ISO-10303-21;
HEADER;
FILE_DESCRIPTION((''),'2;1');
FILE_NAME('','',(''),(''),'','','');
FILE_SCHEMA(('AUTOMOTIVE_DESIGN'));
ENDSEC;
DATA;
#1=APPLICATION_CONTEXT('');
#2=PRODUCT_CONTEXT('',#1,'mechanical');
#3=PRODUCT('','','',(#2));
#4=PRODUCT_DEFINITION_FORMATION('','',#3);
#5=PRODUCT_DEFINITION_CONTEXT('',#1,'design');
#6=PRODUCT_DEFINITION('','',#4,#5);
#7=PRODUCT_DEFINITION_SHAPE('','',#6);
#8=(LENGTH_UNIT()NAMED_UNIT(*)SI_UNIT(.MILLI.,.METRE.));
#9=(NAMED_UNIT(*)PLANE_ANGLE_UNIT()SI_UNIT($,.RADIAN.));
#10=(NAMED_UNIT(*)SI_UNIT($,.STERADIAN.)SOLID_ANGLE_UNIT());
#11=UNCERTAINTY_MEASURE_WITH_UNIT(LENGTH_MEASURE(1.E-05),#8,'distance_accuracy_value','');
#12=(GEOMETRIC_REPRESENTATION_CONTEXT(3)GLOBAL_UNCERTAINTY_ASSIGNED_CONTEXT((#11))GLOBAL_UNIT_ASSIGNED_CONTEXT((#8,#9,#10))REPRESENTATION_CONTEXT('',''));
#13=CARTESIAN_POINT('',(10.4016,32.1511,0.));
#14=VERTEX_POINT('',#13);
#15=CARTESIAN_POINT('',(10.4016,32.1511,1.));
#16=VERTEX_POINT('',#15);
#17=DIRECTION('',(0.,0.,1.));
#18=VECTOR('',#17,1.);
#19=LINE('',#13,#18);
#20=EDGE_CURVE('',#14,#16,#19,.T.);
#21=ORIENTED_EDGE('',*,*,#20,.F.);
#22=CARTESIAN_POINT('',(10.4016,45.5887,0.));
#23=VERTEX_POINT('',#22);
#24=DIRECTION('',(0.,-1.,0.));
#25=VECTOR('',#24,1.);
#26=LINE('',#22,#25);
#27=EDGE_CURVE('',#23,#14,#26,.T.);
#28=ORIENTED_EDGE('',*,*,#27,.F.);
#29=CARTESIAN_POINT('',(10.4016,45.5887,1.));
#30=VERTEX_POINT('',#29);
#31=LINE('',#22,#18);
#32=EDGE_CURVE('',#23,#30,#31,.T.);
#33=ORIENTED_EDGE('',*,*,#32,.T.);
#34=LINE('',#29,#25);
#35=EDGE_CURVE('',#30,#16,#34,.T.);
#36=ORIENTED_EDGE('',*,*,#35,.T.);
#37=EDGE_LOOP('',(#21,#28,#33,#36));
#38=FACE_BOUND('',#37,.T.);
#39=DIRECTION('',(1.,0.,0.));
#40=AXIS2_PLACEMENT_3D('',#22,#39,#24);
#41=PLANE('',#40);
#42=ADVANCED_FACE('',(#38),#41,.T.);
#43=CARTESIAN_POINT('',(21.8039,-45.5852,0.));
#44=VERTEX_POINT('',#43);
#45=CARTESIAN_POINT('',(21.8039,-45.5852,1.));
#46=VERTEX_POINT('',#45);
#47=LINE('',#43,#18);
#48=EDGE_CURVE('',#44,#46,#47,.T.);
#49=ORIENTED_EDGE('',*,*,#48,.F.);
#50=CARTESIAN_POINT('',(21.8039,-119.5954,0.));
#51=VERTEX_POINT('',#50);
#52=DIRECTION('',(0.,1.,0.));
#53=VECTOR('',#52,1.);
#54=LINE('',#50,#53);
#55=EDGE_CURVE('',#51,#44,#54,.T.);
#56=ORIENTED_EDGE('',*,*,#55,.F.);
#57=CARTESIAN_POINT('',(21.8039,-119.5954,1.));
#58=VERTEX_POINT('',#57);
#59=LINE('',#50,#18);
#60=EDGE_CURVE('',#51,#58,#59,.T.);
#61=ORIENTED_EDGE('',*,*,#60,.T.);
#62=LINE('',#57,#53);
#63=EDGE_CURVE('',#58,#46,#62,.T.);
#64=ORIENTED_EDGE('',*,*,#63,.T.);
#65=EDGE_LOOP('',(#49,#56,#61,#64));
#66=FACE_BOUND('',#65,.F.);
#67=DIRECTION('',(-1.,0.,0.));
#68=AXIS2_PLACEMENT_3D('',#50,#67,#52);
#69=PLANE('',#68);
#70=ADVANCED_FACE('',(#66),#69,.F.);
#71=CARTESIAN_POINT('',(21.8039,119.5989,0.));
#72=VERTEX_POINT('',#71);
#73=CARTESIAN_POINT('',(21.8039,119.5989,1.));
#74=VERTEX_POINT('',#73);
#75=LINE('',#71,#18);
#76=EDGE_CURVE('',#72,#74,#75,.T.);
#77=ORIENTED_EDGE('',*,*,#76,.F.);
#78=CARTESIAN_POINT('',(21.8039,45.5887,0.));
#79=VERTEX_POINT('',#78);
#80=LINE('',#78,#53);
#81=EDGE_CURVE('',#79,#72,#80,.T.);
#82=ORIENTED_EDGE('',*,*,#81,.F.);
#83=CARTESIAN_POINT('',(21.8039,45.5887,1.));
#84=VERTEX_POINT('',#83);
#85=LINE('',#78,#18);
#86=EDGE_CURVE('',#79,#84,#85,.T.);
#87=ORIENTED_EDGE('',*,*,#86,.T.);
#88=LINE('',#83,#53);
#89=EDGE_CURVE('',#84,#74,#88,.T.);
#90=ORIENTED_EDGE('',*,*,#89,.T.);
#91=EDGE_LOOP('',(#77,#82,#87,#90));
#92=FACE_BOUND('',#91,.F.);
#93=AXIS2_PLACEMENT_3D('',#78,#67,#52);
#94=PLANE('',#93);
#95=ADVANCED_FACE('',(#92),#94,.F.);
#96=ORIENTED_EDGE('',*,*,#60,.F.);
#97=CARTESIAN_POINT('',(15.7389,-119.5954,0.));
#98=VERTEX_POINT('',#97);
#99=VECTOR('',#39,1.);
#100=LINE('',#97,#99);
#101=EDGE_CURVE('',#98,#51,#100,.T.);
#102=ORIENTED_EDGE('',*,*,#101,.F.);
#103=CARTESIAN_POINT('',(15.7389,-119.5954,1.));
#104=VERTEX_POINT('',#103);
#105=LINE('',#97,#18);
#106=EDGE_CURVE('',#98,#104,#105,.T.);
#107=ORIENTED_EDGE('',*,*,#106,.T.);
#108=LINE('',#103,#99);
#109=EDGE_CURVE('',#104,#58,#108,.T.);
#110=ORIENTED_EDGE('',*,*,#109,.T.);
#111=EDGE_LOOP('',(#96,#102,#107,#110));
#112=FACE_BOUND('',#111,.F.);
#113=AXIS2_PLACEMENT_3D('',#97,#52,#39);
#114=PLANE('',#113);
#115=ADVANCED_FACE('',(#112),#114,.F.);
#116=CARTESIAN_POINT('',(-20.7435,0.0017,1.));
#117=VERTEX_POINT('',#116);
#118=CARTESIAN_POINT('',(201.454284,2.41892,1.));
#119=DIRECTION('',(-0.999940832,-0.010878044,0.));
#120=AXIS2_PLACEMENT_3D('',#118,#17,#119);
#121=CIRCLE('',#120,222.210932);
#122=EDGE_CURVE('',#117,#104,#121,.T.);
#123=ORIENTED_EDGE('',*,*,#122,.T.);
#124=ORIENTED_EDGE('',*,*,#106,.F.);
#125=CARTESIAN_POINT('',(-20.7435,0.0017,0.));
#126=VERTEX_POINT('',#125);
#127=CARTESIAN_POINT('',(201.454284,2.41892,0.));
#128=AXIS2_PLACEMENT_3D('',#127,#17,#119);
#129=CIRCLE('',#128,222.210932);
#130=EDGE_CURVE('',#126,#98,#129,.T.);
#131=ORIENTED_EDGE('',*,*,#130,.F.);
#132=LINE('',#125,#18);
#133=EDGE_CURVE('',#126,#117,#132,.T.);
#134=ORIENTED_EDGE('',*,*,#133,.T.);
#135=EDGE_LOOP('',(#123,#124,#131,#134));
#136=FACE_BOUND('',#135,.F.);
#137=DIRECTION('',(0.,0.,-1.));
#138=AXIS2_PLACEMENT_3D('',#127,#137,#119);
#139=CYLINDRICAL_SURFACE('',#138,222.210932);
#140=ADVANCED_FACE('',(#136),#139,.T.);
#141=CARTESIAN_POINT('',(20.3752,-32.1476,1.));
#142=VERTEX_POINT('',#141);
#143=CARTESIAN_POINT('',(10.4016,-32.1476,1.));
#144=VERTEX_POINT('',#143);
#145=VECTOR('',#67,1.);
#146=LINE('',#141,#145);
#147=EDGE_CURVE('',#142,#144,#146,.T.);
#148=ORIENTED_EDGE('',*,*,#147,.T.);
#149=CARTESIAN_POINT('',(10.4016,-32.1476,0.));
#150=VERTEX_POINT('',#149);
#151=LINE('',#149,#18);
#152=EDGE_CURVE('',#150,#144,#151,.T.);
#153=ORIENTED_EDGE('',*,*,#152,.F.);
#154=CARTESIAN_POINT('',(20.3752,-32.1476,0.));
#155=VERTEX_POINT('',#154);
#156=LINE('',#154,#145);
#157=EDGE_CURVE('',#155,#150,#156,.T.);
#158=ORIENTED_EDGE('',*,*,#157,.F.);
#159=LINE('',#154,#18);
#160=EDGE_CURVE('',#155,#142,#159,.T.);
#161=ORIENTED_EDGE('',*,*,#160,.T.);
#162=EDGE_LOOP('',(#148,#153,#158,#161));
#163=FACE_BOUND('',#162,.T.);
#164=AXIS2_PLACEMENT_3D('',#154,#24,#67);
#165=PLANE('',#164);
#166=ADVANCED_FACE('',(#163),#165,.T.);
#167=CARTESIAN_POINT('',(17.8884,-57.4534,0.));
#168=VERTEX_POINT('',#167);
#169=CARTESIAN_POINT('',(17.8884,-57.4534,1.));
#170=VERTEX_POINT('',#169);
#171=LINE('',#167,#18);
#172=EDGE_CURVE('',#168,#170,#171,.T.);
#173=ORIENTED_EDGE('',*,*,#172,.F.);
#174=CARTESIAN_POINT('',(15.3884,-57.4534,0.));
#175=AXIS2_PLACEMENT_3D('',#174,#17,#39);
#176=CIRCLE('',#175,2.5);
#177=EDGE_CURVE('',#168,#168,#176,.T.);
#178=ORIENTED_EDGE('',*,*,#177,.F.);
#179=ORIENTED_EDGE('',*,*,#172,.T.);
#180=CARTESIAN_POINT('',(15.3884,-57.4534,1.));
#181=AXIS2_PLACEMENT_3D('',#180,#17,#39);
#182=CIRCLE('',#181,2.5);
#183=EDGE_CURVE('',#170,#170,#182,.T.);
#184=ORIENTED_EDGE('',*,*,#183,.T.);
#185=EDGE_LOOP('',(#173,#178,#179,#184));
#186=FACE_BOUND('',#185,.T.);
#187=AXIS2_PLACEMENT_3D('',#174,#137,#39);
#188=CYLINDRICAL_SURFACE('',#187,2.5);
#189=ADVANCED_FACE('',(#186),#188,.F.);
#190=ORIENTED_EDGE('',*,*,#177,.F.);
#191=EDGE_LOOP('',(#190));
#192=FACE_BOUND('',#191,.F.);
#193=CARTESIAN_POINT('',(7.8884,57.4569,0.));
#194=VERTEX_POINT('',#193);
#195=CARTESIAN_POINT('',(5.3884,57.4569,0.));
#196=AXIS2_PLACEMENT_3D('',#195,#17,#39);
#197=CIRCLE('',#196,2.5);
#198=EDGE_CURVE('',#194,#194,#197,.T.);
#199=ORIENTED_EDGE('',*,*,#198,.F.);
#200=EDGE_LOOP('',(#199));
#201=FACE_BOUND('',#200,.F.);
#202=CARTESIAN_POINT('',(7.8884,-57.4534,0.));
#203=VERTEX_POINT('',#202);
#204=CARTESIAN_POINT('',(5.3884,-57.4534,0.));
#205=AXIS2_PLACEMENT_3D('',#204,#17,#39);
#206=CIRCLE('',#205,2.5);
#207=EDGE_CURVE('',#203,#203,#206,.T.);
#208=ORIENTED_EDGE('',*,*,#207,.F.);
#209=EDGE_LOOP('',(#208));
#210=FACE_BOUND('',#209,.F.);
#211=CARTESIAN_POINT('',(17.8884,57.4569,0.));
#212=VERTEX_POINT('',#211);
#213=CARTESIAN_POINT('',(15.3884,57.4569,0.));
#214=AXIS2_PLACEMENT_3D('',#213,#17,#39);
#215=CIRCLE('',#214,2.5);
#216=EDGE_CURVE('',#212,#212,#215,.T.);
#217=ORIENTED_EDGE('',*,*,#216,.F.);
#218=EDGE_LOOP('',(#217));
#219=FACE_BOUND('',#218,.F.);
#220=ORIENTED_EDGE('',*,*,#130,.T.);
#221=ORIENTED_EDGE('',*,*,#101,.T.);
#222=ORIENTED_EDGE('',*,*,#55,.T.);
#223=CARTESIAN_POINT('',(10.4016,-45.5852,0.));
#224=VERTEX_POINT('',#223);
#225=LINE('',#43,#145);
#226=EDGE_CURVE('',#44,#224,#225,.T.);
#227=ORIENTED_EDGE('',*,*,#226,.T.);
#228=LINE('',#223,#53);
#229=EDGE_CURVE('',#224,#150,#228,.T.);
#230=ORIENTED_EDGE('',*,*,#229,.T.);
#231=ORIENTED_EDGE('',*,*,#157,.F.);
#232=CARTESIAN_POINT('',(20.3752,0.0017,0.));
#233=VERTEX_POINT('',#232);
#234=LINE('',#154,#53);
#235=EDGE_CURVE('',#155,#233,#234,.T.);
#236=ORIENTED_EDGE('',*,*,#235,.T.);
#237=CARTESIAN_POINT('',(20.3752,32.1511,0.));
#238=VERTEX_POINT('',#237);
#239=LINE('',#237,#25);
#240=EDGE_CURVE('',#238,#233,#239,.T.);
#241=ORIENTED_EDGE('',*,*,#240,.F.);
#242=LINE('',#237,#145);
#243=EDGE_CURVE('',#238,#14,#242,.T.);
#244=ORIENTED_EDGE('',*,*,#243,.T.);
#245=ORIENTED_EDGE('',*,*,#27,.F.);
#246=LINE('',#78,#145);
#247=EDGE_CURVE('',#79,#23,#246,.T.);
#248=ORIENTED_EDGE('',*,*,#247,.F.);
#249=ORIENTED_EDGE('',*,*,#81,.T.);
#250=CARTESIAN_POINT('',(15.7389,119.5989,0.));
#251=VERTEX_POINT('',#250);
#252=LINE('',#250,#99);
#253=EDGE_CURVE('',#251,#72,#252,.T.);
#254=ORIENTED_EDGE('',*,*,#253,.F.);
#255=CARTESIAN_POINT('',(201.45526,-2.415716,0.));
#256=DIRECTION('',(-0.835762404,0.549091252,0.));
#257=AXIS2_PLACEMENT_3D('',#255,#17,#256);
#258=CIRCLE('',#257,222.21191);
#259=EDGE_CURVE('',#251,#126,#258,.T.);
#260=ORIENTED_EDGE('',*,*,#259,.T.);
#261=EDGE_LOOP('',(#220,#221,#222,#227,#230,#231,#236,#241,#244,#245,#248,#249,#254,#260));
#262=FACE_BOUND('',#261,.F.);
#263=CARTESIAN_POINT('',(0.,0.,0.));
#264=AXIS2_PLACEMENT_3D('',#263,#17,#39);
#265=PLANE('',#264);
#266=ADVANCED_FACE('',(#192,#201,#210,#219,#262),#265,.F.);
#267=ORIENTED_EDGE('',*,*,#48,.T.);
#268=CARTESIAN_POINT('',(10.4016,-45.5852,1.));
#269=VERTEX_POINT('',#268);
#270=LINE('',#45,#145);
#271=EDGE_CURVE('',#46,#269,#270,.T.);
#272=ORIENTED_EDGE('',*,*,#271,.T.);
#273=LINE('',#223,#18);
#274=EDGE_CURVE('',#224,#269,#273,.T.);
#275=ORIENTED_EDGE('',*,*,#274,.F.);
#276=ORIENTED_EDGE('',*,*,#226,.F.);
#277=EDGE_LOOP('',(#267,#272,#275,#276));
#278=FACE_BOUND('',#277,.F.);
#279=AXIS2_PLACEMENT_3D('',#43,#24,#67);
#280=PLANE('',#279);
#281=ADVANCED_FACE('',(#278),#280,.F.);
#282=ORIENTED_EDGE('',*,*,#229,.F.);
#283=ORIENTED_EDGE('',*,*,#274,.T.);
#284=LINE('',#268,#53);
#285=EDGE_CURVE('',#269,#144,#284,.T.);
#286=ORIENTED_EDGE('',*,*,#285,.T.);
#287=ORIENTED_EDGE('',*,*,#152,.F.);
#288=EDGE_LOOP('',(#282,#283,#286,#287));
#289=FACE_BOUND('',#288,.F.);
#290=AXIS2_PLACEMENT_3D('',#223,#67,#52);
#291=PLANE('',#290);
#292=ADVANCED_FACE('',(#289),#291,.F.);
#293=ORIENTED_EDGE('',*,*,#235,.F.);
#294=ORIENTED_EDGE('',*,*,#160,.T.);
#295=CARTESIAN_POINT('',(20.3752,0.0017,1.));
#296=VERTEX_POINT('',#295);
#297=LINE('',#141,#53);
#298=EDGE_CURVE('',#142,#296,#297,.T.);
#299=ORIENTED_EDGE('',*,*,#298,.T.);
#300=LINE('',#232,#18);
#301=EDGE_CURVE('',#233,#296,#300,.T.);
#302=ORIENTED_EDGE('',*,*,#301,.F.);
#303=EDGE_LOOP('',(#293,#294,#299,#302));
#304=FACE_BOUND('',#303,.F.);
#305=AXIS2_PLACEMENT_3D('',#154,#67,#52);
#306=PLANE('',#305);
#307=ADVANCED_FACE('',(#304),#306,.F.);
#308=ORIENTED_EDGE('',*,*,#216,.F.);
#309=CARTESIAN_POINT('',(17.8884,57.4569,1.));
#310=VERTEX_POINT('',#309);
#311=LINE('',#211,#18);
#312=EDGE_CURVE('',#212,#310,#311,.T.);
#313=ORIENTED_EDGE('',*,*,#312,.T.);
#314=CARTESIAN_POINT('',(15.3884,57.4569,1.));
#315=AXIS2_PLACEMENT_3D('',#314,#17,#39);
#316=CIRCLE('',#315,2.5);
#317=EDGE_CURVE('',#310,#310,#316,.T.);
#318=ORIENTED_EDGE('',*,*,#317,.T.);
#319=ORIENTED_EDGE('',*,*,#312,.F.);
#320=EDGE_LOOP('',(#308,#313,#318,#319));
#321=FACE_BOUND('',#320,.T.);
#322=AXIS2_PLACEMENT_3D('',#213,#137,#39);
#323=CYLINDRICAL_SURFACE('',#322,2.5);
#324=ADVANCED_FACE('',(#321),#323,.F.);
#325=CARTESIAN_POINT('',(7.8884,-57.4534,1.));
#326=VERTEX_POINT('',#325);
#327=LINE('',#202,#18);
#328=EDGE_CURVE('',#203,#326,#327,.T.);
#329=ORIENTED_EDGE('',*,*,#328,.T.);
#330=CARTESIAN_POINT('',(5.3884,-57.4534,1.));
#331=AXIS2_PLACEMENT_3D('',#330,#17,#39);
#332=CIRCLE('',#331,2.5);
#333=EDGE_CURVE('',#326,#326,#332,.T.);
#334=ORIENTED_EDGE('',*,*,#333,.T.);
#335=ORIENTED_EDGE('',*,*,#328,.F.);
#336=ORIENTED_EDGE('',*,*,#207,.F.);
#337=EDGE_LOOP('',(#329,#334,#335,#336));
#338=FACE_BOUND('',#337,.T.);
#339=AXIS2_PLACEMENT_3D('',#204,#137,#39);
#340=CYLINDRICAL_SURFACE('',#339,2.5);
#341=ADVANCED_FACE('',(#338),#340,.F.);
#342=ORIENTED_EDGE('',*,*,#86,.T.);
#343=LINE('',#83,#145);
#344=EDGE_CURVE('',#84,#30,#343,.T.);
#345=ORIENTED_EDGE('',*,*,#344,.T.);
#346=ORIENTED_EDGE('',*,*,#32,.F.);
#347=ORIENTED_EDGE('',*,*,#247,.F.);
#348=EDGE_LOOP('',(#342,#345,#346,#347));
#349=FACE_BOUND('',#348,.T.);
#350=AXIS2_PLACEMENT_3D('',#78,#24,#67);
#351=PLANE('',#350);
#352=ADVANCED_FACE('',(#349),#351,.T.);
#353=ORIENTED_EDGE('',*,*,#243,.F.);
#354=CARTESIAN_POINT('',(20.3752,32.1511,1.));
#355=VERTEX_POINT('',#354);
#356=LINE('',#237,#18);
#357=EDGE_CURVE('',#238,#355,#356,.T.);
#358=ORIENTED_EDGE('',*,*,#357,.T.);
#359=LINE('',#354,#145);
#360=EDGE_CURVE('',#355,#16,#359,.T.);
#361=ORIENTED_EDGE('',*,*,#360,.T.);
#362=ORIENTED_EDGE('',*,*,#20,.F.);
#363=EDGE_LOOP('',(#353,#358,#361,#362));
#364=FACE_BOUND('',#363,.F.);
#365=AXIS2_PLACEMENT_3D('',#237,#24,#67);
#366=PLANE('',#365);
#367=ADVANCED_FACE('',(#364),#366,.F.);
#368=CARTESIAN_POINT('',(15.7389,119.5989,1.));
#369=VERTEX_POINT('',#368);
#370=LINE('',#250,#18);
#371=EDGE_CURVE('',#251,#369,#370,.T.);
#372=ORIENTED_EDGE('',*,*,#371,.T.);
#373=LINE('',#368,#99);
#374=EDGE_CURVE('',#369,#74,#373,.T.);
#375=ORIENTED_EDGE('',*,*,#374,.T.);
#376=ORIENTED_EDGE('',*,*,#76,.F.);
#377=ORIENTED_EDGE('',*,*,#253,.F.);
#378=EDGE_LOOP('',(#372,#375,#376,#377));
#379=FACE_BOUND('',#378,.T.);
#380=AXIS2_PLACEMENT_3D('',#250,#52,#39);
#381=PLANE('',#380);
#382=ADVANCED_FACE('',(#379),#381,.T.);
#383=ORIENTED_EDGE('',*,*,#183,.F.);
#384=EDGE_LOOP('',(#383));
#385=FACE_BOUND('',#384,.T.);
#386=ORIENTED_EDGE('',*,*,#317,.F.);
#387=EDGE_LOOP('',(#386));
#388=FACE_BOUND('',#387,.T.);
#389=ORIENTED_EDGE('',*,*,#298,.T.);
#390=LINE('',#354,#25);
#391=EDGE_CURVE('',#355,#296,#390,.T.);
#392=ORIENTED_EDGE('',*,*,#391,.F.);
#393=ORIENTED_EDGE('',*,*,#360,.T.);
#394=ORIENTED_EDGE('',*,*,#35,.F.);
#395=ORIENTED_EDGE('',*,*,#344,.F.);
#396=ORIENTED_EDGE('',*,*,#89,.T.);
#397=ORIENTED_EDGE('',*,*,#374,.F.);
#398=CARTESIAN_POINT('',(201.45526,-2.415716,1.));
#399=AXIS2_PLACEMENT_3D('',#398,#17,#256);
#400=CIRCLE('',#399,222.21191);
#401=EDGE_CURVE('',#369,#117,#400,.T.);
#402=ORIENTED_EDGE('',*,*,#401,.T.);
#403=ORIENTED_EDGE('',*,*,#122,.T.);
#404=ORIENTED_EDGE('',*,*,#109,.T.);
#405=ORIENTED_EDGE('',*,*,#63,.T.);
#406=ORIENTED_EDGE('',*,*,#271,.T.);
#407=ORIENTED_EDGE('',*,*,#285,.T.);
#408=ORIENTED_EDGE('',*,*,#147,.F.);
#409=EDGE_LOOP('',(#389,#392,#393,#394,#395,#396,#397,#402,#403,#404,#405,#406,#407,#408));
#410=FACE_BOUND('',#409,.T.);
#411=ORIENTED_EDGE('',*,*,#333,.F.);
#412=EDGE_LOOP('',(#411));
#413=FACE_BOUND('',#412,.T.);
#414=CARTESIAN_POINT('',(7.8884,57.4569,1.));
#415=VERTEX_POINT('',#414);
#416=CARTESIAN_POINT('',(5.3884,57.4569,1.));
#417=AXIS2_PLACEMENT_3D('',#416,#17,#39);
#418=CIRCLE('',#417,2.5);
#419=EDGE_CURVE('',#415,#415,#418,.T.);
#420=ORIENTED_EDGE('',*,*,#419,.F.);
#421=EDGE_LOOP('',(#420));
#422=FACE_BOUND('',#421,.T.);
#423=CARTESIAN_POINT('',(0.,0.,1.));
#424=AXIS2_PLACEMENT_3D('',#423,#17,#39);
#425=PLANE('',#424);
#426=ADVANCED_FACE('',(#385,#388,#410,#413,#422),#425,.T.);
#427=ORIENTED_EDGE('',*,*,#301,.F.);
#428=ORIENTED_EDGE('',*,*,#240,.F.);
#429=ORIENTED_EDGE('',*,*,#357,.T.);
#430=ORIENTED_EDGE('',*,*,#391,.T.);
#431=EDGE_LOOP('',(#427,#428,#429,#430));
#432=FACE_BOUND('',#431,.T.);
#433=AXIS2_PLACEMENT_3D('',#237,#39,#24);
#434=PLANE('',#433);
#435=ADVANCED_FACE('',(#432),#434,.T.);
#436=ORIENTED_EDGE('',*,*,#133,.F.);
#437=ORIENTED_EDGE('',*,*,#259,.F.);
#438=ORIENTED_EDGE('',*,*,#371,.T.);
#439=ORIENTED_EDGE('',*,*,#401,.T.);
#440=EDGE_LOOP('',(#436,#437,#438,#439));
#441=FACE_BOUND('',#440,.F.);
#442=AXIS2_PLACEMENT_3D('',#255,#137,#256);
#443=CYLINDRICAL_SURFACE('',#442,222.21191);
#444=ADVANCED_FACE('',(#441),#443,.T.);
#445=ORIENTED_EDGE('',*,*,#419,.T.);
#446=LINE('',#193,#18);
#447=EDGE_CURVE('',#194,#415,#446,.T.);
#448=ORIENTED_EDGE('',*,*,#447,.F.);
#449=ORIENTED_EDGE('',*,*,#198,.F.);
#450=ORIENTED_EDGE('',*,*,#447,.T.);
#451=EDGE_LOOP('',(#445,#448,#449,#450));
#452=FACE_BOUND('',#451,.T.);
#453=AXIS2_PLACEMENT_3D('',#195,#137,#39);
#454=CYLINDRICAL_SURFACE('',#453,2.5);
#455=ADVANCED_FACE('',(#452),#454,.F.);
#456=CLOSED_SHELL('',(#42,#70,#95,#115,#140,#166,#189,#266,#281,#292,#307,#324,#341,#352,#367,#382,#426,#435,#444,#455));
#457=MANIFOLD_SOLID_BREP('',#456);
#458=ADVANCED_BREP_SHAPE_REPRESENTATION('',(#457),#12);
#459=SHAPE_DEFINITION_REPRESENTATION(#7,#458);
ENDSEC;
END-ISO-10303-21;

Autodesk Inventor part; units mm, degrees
ref_plane "YZ Plane" through (0, 0, 0) normal (1, 0, 0) x (0, 1, 0)
ref_plane "XZ Plane" through (0, 0, 0) normal (0, 1, 0) x (-1, 0, 0)
ref_plane "XY Plane" through (0, 0, 0) normal (0, 0, 1) x (1, 0, 0)
sketch "Esboço1" plane through (0, 0, 0) normal (0, 0, 1) x (1, 0, 0)
  line L0 (15.7389, -119.5954) -> (21.8039, -119.5954)
  line L1 (21.8039, -119.5954) -> (21.8039, -45.5852)
  line L2 (10.4016, -45.5852) -> (10.4016, -32.1476)
  line L3 (20.3752, -32.1476) -> (20.3752, 0.0017)
  arc A0 (-20.7435, 0.0017) -> (15.7389, -119.5954) centre (201.4548, 2.419) ccw
  circle A1 centre (15.3884, -57.4534) radius 2.5
  line L4 (21.8039, -45.5852) -> (10.4016, -45.5852)
  line L5 (20.3752, -32.1476) -> (10.4016, -32.1476)
  line L6 (20.3752, 0.0017) -> (13.075, 0.0017)
  arc A2 (15.7389, 119.5989) -> (-20.7435, 0.0017) centre (201.4548, -2.4155) ccw
  line L7 (20.3752, 32.1511) -> (20.3752, 0.0017)
  circle A3 centre (15.3884, 57.4569) radius 2.5
  line L8 (10.4016, 45.5887) -> (10.4016, 32.1511)
  line L9 (15.7389, 119.5989) -> (21.8039, 119.5989)
  line L10 (21.8039, 45.5887) -> (10.4016, 45.5887)
  line L11 (20.3752, 32.1511) -> (10.4016, 32.1511)
  line L12 (21.8039, 45.5887) -> (21.8039, 119.5989)
  circle A4 centre (5.3884, -57.4534) radius 2.5
  circle A5 centre (5.3884, 57.4569) radius 2.5
  point P0 (0, 0)
  dimension "d0" = 5
  dimension "d6" = 10
  dimension "d13" = 10
extrude "Extrusão1" add sketch "Esboço1" along normal blind 1
properties part number "sensor2"
